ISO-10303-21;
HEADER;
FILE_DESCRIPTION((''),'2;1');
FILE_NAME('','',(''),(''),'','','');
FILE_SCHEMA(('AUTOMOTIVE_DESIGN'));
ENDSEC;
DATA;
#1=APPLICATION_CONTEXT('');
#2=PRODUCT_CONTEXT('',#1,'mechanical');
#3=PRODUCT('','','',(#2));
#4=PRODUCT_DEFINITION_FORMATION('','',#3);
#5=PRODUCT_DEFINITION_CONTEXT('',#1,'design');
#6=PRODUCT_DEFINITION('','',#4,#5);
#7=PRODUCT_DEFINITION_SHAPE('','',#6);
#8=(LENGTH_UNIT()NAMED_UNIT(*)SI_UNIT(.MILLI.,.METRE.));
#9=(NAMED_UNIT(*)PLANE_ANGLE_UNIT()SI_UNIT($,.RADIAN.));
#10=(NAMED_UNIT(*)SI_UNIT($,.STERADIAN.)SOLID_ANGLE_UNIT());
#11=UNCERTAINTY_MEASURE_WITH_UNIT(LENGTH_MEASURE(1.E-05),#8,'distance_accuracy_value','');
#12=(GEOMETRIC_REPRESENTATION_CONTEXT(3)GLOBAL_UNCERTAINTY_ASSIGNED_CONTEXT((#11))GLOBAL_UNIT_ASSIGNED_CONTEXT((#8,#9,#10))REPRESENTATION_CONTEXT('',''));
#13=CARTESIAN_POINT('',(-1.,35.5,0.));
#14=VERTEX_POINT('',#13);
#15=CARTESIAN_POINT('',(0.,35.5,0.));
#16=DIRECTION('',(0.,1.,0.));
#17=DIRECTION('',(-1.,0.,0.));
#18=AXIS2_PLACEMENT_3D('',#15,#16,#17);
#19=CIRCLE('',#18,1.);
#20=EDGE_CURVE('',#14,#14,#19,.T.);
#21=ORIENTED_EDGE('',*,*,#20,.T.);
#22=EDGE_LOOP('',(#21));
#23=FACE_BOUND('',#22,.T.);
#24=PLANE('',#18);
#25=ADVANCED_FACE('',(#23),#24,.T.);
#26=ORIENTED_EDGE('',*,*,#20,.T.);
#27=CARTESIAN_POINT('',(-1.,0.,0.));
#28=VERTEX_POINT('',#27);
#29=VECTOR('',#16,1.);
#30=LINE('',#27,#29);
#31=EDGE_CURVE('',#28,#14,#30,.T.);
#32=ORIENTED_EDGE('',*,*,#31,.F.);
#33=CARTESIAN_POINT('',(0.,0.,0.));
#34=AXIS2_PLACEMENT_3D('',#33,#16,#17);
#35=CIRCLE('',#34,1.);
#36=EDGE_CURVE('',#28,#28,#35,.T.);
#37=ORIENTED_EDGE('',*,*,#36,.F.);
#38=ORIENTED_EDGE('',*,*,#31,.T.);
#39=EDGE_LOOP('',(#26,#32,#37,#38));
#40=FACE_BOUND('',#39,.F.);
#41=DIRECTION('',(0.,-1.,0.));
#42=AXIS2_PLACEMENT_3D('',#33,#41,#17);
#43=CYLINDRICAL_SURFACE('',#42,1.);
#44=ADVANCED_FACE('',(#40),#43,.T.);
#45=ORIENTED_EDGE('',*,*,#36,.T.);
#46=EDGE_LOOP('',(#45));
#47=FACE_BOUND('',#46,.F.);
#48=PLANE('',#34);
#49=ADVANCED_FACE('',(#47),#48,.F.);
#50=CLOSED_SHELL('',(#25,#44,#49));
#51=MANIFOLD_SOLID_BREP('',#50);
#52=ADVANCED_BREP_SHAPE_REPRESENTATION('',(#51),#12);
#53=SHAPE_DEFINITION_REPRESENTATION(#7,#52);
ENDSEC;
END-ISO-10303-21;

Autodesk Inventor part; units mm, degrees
ref_plane "YZ Plane" through (0, 0, 0) normal (1, 0, 0) x (0, 1, 0)
ref_plane "XZ Plane" through (0, 0, 0) normal (0, 1, 0) x (-1, 0, 0)
ref_plane "XY Plane" through (0, 0, 0) normal (0, 0, 1) x (1, 0, 0)
sketch "Sketch1" plane through (0, 0, 0) normal (0, 1, 0) x (-1, 0, 0)
  circle A0 centre (0, 0) radius 1
  dimension "d0" = 2
extrude "Extrusion1" add sketch "Sketch1" along normal blind 35.5
properties part number "tycinka_dlouha"
